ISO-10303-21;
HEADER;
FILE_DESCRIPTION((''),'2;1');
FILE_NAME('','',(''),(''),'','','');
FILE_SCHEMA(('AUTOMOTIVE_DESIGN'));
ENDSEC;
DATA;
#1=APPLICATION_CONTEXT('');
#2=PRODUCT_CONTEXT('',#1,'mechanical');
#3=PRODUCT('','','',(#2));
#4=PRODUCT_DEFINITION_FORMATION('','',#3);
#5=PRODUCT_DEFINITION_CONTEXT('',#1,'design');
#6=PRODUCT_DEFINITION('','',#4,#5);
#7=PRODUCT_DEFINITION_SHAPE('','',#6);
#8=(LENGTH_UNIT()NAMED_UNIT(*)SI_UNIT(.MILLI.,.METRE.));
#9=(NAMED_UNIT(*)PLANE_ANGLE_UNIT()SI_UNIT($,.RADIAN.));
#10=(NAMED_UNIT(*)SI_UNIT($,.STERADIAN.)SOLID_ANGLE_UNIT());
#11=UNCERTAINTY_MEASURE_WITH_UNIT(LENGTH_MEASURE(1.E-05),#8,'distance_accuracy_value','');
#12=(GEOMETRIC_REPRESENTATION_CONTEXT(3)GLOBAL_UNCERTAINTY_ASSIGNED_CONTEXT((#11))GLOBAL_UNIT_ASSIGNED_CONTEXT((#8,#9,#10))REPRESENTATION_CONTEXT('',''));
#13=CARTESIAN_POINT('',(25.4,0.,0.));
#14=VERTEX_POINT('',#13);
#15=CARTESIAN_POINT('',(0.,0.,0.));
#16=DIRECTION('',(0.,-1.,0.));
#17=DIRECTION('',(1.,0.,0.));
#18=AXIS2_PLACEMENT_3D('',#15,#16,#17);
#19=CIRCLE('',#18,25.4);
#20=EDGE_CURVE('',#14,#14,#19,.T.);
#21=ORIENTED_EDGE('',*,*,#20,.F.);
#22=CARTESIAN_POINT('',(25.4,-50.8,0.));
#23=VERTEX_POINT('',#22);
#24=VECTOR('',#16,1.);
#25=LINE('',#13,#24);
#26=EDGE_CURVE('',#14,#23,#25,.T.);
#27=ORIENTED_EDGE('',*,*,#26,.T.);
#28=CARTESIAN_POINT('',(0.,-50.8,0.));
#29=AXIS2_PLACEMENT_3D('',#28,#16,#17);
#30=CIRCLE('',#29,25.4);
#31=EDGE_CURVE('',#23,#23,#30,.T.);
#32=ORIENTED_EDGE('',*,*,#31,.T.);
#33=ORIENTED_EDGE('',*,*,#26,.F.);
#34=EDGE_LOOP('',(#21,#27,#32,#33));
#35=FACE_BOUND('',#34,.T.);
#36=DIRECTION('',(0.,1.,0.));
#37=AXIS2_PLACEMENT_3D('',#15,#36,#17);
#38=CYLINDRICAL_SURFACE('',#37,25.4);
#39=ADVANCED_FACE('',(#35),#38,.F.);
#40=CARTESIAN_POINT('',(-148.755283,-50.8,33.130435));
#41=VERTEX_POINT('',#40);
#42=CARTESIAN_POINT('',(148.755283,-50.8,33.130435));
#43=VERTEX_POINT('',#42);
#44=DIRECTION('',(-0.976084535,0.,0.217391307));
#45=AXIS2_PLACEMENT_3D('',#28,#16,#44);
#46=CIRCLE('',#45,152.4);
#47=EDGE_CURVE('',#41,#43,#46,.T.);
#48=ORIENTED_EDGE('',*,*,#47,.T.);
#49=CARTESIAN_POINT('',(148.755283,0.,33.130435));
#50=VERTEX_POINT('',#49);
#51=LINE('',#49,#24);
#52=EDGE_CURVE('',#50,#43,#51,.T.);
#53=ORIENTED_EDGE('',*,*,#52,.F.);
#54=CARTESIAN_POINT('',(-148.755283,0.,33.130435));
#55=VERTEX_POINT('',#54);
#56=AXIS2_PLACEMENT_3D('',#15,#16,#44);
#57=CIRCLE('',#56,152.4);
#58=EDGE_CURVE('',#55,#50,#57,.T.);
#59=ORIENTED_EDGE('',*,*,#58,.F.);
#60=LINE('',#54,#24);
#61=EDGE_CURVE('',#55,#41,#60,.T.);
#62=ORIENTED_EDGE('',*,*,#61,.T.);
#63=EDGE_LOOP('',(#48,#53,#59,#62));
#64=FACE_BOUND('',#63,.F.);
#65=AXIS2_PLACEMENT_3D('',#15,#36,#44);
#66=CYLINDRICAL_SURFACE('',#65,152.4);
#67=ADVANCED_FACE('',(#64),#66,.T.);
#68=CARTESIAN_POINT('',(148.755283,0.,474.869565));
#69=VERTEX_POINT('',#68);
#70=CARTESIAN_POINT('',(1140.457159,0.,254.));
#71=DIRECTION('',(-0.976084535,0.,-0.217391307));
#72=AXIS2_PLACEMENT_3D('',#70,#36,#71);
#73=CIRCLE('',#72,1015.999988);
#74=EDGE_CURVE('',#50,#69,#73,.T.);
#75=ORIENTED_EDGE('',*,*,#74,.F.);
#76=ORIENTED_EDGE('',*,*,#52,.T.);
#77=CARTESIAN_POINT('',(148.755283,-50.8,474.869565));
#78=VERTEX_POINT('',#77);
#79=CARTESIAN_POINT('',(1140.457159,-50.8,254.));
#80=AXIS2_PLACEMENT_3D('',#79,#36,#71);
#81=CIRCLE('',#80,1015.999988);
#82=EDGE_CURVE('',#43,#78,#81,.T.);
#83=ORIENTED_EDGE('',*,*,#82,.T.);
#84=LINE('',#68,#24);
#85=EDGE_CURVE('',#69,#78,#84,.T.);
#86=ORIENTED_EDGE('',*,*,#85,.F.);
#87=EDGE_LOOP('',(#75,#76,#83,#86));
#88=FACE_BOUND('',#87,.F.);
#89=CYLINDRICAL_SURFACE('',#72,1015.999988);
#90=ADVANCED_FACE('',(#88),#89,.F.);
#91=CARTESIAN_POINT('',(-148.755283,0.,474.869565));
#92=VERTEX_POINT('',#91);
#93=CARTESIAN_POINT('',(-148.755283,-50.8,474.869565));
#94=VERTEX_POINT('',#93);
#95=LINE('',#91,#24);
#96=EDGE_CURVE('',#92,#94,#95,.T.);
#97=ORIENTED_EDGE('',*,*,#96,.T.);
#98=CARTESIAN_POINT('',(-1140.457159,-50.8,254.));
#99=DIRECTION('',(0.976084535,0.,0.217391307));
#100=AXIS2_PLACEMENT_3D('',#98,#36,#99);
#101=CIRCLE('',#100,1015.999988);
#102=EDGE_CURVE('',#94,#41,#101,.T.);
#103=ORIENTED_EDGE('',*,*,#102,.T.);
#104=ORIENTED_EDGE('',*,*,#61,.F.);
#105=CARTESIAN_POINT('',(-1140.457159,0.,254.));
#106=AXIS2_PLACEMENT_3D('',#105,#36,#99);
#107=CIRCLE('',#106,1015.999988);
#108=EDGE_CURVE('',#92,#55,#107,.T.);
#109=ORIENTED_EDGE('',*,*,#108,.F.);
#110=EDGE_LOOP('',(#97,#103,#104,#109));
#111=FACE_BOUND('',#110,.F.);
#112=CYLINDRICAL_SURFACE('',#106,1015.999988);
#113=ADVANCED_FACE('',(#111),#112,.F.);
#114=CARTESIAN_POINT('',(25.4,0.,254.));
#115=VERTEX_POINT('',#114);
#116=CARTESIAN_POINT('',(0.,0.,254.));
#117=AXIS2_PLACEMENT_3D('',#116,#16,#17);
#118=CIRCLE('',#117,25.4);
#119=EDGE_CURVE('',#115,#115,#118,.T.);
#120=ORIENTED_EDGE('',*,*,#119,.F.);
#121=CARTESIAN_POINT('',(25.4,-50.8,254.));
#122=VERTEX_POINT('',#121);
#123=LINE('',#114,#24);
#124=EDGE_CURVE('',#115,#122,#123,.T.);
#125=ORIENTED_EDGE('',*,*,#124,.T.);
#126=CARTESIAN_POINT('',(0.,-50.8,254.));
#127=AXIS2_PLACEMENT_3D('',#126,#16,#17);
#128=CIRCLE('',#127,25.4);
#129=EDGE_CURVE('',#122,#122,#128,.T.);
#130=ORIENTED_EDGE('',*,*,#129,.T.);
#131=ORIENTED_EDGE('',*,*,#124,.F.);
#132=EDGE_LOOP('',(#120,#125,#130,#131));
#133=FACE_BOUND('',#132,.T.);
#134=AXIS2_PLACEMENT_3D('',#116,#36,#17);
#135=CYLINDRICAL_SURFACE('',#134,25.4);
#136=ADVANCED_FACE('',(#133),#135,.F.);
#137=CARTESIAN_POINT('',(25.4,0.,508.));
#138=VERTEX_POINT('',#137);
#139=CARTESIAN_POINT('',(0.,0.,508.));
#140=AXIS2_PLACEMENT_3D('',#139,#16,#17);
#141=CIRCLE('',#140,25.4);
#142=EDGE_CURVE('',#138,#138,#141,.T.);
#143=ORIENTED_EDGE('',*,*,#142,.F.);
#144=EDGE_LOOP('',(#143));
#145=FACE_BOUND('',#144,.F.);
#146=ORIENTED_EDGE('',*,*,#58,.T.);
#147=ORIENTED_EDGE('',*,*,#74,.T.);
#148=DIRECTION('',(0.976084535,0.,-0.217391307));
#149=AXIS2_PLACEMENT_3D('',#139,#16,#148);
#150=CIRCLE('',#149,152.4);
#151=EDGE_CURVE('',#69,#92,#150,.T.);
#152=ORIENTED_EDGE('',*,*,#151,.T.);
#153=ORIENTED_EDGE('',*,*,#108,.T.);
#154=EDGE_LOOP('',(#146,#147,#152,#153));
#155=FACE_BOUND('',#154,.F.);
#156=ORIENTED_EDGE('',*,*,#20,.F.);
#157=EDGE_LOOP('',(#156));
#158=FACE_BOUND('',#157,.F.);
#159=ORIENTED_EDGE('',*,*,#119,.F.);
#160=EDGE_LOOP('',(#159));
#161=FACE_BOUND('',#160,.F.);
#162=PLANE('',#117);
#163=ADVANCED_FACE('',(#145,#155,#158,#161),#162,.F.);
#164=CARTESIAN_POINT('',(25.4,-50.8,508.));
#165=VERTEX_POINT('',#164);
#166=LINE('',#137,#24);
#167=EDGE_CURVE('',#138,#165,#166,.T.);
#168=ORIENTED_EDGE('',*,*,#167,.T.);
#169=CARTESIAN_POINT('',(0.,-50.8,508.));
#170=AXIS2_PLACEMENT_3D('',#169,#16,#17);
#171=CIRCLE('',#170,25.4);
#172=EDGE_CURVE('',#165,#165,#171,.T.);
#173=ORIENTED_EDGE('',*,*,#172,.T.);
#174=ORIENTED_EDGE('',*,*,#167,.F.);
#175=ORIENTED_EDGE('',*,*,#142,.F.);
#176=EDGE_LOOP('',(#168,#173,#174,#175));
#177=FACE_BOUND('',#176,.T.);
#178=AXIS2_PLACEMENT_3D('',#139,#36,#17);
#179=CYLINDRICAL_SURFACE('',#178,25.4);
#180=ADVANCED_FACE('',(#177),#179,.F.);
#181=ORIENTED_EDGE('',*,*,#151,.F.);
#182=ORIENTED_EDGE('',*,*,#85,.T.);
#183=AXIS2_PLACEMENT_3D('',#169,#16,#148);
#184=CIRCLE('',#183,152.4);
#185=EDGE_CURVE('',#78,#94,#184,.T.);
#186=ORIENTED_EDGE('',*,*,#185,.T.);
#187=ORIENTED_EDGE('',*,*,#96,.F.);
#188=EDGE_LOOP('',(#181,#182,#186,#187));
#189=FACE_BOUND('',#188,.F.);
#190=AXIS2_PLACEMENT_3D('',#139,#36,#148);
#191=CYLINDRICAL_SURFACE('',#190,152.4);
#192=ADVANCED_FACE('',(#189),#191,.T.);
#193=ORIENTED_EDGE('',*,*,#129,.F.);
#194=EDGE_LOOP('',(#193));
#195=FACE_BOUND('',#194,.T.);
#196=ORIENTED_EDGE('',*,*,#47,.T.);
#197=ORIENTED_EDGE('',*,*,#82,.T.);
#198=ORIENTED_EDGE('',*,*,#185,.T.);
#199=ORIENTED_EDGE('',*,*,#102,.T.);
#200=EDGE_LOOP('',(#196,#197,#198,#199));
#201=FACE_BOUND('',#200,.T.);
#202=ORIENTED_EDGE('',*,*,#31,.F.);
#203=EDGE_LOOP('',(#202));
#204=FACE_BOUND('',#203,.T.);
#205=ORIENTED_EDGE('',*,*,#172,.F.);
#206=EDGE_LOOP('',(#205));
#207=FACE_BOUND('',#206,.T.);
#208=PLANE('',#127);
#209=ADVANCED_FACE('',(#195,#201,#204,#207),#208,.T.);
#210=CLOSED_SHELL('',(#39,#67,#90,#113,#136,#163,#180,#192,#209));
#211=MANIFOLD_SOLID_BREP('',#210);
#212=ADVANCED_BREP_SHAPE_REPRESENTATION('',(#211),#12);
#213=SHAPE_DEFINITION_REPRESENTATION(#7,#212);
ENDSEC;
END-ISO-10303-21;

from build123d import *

# Parameters (mm, degrees)
F0_R     = 25.4
F1_DEPTH = 50.8


with BuildPart() as f1:
    # F0 (on Front) → F1 (new body)
    with BuildSketch(Plane.XZ):
        with BuildLine():
            ThreePointArc((-148.755283, 474.869565), (-124.457171, 254), (-148.755283, 33.130435))
            ThreePointArc((-148.755283, 33.130435), (0, -152.4), (148.755283, 33.130435))
            ThreePointArc((148.755283, 33.130435), (124.457171, 254), (148.755283, 474.869565))
            ThreePointArc((148.755283, 474.869565), (0, 660.4), (-148.755283, 474.869565))
        make_face()
        Circle(F0_R, mode=Mode.SUBTRACT)
        with Locations((0, 254)):
            Circle(F0_R, mode=Mode.SUBTRACT)
        with Locations((0, 508)):
            Circle(F0_R, mode=Mode.SUBTRACT)
    extrude(amount=F1_DEPTH)


solid = f1.part
